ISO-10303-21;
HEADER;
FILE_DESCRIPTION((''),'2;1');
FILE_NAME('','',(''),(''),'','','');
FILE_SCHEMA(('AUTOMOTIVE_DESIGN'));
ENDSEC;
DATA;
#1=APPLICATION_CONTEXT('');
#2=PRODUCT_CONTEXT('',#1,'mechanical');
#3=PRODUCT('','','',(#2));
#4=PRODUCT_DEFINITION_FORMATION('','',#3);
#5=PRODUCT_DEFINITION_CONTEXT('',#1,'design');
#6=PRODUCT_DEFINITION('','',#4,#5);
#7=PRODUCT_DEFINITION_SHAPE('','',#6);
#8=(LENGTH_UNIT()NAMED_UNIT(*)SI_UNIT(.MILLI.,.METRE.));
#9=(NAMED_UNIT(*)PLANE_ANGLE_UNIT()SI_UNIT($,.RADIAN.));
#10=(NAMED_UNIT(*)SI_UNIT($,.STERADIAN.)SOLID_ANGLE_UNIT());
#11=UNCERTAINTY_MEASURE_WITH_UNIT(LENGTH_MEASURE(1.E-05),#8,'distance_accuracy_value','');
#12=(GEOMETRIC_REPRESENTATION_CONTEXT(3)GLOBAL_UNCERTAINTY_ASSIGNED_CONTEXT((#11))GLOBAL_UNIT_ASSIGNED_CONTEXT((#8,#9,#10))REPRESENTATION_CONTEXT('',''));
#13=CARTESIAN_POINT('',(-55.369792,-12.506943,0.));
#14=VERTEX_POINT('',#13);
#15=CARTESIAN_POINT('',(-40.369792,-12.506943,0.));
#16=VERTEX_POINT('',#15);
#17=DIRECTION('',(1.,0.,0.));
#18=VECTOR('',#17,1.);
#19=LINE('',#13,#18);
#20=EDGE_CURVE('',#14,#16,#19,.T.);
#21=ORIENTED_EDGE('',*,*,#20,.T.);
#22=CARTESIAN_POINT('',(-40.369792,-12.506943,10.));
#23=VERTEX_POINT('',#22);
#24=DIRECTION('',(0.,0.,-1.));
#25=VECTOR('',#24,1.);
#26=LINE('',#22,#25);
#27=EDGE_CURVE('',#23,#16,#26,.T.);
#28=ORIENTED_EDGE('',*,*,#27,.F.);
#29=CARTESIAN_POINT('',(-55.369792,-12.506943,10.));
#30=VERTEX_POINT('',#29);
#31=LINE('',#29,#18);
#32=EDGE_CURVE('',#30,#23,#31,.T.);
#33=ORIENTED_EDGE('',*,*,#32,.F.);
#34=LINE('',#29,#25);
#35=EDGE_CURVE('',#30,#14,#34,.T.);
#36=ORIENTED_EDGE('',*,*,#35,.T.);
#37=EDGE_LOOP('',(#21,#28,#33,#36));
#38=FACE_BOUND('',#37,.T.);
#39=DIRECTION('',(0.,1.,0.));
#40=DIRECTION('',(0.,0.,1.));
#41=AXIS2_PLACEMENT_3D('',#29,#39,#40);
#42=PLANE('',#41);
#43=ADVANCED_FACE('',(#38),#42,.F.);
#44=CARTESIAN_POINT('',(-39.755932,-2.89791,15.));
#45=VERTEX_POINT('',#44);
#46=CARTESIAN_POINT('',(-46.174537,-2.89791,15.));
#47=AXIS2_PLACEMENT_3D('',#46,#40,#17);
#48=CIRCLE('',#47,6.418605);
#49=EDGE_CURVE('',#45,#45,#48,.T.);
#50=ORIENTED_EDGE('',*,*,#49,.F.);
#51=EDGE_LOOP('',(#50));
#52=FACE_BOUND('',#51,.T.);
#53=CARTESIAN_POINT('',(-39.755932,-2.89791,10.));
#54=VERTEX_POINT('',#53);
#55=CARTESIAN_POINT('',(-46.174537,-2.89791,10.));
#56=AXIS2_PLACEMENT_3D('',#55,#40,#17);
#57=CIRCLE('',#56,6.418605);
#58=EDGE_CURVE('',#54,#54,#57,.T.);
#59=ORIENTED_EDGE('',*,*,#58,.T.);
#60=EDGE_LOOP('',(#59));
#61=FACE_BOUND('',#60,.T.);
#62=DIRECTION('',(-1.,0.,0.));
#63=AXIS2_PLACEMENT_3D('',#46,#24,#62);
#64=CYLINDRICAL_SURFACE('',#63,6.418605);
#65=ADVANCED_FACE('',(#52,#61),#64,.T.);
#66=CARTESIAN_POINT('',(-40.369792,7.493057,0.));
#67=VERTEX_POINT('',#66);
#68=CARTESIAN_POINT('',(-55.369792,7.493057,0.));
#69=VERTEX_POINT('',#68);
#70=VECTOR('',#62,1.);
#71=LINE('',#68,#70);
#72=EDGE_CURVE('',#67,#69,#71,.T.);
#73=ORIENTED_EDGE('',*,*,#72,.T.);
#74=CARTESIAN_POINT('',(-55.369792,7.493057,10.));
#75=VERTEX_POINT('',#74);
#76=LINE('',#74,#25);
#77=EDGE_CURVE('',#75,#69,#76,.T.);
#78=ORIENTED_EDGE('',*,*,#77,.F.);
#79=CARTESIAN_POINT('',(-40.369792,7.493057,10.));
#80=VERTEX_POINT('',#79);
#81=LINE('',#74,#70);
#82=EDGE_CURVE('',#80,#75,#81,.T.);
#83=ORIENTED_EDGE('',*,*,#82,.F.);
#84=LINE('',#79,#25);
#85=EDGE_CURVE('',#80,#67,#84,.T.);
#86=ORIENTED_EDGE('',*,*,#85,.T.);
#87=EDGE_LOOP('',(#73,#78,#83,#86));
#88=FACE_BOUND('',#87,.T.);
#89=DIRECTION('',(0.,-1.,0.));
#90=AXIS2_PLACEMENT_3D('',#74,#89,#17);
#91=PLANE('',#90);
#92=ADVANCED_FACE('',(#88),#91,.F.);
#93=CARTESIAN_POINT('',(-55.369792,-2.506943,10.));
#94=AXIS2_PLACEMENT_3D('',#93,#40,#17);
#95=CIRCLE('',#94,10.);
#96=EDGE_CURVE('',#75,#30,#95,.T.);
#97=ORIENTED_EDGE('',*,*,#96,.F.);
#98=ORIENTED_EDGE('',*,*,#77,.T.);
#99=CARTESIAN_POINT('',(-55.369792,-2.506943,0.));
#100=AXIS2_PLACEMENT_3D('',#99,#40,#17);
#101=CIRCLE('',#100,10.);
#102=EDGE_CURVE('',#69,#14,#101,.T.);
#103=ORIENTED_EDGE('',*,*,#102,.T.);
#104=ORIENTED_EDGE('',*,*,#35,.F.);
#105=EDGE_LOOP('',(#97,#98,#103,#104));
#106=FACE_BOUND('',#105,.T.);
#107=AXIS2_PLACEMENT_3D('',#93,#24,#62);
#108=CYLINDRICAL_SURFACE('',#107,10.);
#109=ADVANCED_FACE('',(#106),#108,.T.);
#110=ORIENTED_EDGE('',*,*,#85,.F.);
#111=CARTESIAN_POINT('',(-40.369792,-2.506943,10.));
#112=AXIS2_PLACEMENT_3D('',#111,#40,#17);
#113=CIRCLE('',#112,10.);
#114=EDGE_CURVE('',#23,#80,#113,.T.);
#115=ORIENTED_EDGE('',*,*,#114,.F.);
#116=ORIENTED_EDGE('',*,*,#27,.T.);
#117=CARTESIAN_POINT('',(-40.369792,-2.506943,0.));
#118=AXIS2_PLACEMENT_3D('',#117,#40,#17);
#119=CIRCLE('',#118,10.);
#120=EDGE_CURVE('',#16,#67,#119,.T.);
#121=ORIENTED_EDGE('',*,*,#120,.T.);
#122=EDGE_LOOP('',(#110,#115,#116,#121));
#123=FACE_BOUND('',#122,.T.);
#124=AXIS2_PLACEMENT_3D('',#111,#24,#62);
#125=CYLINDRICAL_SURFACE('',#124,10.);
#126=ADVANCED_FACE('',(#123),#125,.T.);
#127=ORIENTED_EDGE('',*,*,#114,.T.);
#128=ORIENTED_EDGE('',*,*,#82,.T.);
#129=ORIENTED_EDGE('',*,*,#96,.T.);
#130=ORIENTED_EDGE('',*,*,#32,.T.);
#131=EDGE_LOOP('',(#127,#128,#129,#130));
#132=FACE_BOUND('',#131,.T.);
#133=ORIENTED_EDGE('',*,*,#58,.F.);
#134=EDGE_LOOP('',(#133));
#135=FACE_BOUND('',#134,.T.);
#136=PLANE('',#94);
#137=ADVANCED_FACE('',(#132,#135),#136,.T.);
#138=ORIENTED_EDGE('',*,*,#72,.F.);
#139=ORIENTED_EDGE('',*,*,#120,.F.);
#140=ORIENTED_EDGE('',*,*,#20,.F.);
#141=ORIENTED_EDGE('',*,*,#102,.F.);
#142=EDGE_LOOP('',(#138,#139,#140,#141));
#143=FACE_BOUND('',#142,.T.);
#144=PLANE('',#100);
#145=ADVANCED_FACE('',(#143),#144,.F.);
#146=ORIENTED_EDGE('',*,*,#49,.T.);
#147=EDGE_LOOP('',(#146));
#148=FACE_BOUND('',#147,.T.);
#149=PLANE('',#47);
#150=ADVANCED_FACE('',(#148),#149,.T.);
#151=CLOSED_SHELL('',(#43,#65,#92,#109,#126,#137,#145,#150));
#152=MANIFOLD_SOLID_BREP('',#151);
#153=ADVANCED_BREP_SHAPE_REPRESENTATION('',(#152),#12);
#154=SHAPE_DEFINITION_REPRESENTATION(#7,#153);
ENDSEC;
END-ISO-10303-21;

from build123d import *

# Parameters (mm, degrees)
SALIENTE_EXTRUIR1_DEPTH = 10
CROQUIS2_R              = 6.418605164
SALIENTE_EXTRUIR2_DEPTH = 5


with BuildPart() as part:
    # Croquis1 → Saliente-Extruir1 (new body)
    with BuildSketch(Plane.XY):
        with BuildLine():
            Line((-55.369792261, 7.493056697), (-40.369792261, 7.493056697))
            ThreePointArc((-40.369792261, 7.493056697), (-30.369792261, -2.506943303), (-40.369792261, -12.506943303))
            Line((-40.369792261, -12.506943303), (-55.369792261, -12.506943303))
            ThreePointArc((-55.369792261, -12.506943303), (-65.369792261, -2.506943303), (-55.369792261, 7.493056697))
        make_face()
    extrude(amount=SALIENTE_EXTRUIR1_DEPTH)

    # Croquis2 → Saliente-Extruir2 (add)
    with BuildSketch(Plane.XY.offset(10)):
        with Locations((-46.174536974, -2.897909692)):
            Circle(CROQUIS2_R)
    extrude(amount=SALIENTE_EXTRUIR2_DEPTH)


solid = part.part
